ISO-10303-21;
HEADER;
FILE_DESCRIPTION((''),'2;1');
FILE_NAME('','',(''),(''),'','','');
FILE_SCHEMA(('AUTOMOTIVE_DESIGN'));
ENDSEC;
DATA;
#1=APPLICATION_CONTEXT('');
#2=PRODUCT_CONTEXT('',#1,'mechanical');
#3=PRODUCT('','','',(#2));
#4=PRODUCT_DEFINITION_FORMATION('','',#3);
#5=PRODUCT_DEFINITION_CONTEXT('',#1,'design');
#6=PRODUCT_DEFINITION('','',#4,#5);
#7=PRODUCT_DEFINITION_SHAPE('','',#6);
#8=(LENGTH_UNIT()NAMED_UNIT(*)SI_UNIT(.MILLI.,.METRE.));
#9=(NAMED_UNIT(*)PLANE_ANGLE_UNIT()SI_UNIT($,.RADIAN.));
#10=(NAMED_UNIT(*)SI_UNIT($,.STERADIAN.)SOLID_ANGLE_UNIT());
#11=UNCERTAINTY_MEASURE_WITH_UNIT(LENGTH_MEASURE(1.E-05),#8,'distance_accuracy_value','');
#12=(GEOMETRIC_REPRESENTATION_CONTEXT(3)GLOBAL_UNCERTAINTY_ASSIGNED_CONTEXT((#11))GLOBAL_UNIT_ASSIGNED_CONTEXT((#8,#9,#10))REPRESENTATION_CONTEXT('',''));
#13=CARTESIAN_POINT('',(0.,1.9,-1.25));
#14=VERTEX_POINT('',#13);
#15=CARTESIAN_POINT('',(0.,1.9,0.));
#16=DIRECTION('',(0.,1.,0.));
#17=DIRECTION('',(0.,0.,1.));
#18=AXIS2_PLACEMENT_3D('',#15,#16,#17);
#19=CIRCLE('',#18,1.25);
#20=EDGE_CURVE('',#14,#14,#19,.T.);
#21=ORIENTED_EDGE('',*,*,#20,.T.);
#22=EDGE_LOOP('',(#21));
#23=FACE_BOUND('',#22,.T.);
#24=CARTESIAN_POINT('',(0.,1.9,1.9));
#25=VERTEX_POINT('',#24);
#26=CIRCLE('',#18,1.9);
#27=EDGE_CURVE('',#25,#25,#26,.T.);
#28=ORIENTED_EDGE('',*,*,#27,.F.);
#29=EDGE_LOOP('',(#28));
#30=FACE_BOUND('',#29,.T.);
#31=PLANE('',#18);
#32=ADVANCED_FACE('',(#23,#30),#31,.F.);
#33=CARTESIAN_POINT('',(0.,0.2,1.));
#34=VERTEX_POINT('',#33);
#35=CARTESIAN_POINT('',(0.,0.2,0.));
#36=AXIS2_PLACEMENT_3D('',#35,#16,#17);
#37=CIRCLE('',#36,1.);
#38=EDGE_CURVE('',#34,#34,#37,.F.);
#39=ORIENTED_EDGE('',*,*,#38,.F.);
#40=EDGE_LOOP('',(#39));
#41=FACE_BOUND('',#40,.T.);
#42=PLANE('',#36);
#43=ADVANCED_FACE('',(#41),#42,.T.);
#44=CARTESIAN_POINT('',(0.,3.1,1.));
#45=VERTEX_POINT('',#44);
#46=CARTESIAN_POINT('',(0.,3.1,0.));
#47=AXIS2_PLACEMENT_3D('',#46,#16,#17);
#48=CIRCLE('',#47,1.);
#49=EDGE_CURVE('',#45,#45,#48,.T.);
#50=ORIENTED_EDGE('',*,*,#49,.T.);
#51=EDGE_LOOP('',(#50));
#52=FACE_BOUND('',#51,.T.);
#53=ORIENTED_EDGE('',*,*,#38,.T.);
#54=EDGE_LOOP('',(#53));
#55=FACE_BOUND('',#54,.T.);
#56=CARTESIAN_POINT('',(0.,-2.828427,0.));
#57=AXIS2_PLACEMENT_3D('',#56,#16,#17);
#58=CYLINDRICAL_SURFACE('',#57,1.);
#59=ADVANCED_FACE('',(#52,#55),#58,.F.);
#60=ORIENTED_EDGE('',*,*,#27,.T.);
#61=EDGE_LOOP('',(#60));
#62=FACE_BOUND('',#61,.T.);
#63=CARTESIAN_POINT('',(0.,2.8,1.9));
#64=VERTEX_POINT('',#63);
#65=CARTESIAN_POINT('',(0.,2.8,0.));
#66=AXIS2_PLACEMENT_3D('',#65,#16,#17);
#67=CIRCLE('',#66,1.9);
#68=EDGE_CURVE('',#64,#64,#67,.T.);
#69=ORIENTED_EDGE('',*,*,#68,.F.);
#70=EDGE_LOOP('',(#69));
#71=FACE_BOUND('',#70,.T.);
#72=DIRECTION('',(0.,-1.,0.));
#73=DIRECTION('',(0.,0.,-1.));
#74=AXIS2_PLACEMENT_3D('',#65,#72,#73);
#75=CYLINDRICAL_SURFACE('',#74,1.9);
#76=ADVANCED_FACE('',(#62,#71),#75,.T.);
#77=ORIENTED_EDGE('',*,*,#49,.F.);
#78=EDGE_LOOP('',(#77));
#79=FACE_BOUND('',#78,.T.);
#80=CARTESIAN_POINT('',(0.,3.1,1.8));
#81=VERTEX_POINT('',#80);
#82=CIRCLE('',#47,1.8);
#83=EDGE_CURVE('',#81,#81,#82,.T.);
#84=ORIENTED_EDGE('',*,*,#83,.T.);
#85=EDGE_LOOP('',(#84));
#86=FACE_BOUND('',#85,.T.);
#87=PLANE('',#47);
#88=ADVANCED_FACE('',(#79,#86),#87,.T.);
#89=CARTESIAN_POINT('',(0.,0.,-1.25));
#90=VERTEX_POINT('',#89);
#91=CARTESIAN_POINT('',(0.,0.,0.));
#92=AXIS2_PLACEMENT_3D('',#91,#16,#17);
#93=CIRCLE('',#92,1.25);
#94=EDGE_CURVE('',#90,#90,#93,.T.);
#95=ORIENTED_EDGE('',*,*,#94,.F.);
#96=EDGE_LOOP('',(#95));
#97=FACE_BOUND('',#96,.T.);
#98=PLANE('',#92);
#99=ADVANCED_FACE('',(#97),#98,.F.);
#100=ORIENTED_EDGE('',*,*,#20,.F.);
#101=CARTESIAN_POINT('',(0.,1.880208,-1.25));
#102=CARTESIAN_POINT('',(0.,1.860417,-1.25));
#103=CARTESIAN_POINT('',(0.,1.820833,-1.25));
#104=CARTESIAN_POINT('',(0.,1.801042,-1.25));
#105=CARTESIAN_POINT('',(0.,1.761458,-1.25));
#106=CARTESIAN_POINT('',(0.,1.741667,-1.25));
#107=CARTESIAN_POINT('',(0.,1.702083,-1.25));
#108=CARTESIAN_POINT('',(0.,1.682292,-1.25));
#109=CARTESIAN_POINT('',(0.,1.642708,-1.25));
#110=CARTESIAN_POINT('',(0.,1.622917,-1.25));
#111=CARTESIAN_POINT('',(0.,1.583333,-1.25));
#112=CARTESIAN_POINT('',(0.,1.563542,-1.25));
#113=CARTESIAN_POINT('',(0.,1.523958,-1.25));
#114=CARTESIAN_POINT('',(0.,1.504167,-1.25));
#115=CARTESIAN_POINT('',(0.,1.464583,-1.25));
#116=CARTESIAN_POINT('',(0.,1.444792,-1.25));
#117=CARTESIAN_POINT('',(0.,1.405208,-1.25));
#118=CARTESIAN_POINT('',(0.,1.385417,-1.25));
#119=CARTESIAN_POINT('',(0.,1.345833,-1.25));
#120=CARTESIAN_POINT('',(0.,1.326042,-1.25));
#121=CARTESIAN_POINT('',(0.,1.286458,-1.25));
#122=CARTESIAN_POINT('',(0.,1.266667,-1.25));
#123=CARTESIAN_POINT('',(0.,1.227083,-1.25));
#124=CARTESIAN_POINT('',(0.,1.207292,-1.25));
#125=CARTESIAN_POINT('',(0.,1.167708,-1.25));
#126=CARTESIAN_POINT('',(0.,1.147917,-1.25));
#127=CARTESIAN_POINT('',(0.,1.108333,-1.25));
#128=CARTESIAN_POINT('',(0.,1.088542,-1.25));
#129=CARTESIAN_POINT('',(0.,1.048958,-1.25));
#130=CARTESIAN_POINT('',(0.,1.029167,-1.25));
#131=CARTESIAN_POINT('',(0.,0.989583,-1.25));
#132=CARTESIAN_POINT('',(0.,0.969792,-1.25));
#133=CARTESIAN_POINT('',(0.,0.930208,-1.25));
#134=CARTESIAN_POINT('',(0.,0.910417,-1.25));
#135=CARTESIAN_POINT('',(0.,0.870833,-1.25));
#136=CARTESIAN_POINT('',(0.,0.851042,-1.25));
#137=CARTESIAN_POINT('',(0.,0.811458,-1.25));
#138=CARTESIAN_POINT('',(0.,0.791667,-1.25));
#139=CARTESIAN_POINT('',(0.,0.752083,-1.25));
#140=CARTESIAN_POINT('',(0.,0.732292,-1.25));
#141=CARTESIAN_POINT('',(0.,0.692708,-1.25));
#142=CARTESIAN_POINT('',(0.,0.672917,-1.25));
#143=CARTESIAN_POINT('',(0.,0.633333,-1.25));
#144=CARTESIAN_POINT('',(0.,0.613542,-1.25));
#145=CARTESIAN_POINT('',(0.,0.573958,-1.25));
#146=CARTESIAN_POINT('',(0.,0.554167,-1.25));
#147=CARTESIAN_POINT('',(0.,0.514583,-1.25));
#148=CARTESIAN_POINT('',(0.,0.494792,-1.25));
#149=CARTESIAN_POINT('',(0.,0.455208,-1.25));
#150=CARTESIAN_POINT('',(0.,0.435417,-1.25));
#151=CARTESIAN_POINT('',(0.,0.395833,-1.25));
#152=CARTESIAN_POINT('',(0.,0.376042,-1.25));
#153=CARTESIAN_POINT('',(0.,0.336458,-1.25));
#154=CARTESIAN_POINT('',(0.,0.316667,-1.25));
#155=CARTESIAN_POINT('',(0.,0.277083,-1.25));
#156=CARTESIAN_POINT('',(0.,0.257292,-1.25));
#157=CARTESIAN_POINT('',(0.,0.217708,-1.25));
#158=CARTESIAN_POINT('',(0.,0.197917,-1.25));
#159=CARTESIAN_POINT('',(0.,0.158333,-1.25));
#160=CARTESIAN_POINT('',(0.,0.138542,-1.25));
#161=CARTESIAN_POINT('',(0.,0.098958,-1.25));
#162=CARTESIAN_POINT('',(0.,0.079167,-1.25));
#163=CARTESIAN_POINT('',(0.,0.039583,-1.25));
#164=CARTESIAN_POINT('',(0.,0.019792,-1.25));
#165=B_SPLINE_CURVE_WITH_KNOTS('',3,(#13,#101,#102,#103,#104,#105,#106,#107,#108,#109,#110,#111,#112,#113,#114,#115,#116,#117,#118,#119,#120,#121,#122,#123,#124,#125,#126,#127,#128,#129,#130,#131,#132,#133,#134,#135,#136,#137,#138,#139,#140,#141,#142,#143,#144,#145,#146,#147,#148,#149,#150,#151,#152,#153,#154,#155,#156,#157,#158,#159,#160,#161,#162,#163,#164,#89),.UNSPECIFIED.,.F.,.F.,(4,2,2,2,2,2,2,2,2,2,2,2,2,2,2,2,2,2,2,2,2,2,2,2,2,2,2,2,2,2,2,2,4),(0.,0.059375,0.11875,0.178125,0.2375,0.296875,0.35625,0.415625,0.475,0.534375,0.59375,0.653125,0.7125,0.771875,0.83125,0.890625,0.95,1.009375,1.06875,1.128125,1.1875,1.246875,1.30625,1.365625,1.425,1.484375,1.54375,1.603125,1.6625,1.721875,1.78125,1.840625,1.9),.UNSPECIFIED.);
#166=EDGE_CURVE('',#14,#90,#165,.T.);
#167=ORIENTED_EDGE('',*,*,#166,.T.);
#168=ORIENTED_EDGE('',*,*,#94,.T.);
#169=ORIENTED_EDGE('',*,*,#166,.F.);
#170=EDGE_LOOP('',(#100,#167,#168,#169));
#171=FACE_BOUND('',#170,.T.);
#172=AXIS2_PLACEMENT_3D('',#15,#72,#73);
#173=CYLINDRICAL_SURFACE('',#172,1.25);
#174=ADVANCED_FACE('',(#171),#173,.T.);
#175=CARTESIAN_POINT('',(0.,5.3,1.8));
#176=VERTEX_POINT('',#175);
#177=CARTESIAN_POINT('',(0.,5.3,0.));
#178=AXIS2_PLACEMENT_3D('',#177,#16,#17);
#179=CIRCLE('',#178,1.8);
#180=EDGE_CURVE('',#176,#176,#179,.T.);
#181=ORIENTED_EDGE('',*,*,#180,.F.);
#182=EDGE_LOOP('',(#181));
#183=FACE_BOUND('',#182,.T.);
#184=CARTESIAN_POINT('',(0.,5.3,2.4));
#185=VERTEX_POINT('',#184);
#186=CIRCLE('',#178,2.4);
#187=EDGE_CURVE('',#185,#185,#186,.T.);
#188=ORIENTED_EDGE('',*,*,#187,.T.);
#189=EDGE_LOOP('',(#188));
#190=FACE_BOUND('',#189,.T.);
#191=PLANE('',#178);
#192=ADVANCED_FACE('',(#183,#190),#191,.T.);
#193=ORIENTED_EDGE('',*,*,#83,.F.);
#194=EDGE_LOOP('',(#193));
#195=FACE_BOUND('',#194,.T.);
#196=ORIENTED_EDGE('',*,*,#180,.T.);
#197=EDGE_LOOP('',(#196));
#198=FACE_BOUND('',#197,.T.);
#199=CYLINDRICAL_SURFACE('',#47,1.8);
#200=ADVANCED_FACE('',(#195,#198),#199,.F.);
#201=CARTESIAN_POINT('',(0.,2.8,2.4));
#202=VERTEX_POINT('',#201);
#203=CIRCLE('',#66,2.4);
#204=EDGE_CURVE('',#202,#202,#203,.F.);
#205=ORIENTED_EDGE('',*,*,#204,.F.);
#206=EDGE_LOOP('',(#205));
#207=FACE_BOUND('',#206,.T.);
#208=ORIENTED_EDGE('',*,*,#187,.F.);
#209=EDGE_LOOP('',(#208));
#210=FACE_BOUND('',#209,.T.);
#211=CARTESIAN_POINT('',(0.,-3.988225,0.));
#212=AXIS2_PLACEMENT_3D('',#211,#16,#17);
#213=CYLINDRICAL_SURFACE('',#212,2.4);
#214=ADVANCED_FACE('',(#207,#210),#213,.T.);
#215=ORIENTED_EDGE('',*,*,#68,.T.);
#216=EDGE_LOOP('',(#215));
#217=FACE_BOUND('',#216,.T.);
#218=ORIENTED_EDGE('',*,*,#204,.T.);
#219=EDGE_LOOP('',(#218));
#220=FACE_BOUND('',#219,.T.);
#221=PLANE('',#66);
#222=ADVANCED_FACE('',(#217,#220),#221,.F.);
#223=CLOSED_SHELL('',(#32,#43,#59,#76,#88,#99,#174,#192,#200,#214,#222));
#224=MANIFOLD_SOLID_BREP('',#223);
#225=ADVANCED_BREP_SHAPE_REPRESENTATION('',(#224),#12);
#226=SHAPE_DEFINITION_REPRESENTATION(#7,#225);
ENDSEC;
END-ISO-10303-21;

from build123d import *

# Parameters (mm, degrees)
SKETCH1_R           = 1.25
BOSS_EXTRUDE1_DEPTH = 1.9
SKETCH2_R           = 1.9
BOSS_EXTRUDE2_DEPTH = 0.9
SKETCH4_R           = 2.4
BOSS_EXTRUDE4_DEPTH = 2.5
SKETCH6_R           = 1.8
CUT_EXTRUDE2_DEPTH  = 2.2
SKETCH5_R           = 1
CUT_EXTRUDE1_DEPTH  = 2.9


with BuildPart() as part:
    # Sketch1 → Boss-Extrude1 (new body)
    with BuildSketch(Plane(origin=(0, 0, 0), x_dir=(1, 0, 0), z_dir=(0, 1, 0))):
        with Locations(Location((0, 0, 0), (0, 0, 90))):
            Circle(SKETCH1_R)
    extrude(amount=BOSS_EXTRUDE1_DEPTH)

    # Sketch2 → Boss-Extrude2 (add)
    with BuildSketch(Plane(origin=(0, 1.9, 0), x_dir=(1, 0, 0), z_dir=(0, 1, 0))):
        with Locations(Location((0, 0, 0), (0, 0, 270))):
            Circle(SKETCH2_R)
    extrude(amount=BOSS_EXTRUDE2_DEPTH)

    # Sketch4 → Boss-Extrude4 (add)
    with BuildSketch(Plane(origin=(0, 5.3, 0), x_dir=(1, 0, 0), z_dir=(0, 1, 0))):
        with Locations(Location((0, 0, 0), (0, 0, 270))):
            Circle(SKETCH4_R)
    extrude(amount=-BOSS_EXTRUDE4_DEPTH)

    # Sketch6 → Cut-Extrude2 (cut)
    with BuildSketch(Plane(origin=(0, 5.3, 0), x_dir=(1, 0, 0), z_dir=(0, 1, 0))):
        with Locations(Location((0, 0, 0), (0, 0, 270))):
            Circle(SKETCH6_R)
    extrude(amount=-CUT_EXTRUDE2_DEPTH, mode=Mode.SUBTRACT)

    # Sketch5 → Cut-Extrude1 (cut)
    with BuildSketch(Plane(origin=(0, 3.1, 0), x_dir=(1, 0, 0), z_dir=(0, 1, 0))):
        with Locations(Location((0, 0, 0), (0, 0, 270))):
            Circle(SKETCH5_R)
    extrude(amount=-CUT_EXTRUDE1_DEPTH, mode=Mode.SUBTRACT)


solid = part.part
